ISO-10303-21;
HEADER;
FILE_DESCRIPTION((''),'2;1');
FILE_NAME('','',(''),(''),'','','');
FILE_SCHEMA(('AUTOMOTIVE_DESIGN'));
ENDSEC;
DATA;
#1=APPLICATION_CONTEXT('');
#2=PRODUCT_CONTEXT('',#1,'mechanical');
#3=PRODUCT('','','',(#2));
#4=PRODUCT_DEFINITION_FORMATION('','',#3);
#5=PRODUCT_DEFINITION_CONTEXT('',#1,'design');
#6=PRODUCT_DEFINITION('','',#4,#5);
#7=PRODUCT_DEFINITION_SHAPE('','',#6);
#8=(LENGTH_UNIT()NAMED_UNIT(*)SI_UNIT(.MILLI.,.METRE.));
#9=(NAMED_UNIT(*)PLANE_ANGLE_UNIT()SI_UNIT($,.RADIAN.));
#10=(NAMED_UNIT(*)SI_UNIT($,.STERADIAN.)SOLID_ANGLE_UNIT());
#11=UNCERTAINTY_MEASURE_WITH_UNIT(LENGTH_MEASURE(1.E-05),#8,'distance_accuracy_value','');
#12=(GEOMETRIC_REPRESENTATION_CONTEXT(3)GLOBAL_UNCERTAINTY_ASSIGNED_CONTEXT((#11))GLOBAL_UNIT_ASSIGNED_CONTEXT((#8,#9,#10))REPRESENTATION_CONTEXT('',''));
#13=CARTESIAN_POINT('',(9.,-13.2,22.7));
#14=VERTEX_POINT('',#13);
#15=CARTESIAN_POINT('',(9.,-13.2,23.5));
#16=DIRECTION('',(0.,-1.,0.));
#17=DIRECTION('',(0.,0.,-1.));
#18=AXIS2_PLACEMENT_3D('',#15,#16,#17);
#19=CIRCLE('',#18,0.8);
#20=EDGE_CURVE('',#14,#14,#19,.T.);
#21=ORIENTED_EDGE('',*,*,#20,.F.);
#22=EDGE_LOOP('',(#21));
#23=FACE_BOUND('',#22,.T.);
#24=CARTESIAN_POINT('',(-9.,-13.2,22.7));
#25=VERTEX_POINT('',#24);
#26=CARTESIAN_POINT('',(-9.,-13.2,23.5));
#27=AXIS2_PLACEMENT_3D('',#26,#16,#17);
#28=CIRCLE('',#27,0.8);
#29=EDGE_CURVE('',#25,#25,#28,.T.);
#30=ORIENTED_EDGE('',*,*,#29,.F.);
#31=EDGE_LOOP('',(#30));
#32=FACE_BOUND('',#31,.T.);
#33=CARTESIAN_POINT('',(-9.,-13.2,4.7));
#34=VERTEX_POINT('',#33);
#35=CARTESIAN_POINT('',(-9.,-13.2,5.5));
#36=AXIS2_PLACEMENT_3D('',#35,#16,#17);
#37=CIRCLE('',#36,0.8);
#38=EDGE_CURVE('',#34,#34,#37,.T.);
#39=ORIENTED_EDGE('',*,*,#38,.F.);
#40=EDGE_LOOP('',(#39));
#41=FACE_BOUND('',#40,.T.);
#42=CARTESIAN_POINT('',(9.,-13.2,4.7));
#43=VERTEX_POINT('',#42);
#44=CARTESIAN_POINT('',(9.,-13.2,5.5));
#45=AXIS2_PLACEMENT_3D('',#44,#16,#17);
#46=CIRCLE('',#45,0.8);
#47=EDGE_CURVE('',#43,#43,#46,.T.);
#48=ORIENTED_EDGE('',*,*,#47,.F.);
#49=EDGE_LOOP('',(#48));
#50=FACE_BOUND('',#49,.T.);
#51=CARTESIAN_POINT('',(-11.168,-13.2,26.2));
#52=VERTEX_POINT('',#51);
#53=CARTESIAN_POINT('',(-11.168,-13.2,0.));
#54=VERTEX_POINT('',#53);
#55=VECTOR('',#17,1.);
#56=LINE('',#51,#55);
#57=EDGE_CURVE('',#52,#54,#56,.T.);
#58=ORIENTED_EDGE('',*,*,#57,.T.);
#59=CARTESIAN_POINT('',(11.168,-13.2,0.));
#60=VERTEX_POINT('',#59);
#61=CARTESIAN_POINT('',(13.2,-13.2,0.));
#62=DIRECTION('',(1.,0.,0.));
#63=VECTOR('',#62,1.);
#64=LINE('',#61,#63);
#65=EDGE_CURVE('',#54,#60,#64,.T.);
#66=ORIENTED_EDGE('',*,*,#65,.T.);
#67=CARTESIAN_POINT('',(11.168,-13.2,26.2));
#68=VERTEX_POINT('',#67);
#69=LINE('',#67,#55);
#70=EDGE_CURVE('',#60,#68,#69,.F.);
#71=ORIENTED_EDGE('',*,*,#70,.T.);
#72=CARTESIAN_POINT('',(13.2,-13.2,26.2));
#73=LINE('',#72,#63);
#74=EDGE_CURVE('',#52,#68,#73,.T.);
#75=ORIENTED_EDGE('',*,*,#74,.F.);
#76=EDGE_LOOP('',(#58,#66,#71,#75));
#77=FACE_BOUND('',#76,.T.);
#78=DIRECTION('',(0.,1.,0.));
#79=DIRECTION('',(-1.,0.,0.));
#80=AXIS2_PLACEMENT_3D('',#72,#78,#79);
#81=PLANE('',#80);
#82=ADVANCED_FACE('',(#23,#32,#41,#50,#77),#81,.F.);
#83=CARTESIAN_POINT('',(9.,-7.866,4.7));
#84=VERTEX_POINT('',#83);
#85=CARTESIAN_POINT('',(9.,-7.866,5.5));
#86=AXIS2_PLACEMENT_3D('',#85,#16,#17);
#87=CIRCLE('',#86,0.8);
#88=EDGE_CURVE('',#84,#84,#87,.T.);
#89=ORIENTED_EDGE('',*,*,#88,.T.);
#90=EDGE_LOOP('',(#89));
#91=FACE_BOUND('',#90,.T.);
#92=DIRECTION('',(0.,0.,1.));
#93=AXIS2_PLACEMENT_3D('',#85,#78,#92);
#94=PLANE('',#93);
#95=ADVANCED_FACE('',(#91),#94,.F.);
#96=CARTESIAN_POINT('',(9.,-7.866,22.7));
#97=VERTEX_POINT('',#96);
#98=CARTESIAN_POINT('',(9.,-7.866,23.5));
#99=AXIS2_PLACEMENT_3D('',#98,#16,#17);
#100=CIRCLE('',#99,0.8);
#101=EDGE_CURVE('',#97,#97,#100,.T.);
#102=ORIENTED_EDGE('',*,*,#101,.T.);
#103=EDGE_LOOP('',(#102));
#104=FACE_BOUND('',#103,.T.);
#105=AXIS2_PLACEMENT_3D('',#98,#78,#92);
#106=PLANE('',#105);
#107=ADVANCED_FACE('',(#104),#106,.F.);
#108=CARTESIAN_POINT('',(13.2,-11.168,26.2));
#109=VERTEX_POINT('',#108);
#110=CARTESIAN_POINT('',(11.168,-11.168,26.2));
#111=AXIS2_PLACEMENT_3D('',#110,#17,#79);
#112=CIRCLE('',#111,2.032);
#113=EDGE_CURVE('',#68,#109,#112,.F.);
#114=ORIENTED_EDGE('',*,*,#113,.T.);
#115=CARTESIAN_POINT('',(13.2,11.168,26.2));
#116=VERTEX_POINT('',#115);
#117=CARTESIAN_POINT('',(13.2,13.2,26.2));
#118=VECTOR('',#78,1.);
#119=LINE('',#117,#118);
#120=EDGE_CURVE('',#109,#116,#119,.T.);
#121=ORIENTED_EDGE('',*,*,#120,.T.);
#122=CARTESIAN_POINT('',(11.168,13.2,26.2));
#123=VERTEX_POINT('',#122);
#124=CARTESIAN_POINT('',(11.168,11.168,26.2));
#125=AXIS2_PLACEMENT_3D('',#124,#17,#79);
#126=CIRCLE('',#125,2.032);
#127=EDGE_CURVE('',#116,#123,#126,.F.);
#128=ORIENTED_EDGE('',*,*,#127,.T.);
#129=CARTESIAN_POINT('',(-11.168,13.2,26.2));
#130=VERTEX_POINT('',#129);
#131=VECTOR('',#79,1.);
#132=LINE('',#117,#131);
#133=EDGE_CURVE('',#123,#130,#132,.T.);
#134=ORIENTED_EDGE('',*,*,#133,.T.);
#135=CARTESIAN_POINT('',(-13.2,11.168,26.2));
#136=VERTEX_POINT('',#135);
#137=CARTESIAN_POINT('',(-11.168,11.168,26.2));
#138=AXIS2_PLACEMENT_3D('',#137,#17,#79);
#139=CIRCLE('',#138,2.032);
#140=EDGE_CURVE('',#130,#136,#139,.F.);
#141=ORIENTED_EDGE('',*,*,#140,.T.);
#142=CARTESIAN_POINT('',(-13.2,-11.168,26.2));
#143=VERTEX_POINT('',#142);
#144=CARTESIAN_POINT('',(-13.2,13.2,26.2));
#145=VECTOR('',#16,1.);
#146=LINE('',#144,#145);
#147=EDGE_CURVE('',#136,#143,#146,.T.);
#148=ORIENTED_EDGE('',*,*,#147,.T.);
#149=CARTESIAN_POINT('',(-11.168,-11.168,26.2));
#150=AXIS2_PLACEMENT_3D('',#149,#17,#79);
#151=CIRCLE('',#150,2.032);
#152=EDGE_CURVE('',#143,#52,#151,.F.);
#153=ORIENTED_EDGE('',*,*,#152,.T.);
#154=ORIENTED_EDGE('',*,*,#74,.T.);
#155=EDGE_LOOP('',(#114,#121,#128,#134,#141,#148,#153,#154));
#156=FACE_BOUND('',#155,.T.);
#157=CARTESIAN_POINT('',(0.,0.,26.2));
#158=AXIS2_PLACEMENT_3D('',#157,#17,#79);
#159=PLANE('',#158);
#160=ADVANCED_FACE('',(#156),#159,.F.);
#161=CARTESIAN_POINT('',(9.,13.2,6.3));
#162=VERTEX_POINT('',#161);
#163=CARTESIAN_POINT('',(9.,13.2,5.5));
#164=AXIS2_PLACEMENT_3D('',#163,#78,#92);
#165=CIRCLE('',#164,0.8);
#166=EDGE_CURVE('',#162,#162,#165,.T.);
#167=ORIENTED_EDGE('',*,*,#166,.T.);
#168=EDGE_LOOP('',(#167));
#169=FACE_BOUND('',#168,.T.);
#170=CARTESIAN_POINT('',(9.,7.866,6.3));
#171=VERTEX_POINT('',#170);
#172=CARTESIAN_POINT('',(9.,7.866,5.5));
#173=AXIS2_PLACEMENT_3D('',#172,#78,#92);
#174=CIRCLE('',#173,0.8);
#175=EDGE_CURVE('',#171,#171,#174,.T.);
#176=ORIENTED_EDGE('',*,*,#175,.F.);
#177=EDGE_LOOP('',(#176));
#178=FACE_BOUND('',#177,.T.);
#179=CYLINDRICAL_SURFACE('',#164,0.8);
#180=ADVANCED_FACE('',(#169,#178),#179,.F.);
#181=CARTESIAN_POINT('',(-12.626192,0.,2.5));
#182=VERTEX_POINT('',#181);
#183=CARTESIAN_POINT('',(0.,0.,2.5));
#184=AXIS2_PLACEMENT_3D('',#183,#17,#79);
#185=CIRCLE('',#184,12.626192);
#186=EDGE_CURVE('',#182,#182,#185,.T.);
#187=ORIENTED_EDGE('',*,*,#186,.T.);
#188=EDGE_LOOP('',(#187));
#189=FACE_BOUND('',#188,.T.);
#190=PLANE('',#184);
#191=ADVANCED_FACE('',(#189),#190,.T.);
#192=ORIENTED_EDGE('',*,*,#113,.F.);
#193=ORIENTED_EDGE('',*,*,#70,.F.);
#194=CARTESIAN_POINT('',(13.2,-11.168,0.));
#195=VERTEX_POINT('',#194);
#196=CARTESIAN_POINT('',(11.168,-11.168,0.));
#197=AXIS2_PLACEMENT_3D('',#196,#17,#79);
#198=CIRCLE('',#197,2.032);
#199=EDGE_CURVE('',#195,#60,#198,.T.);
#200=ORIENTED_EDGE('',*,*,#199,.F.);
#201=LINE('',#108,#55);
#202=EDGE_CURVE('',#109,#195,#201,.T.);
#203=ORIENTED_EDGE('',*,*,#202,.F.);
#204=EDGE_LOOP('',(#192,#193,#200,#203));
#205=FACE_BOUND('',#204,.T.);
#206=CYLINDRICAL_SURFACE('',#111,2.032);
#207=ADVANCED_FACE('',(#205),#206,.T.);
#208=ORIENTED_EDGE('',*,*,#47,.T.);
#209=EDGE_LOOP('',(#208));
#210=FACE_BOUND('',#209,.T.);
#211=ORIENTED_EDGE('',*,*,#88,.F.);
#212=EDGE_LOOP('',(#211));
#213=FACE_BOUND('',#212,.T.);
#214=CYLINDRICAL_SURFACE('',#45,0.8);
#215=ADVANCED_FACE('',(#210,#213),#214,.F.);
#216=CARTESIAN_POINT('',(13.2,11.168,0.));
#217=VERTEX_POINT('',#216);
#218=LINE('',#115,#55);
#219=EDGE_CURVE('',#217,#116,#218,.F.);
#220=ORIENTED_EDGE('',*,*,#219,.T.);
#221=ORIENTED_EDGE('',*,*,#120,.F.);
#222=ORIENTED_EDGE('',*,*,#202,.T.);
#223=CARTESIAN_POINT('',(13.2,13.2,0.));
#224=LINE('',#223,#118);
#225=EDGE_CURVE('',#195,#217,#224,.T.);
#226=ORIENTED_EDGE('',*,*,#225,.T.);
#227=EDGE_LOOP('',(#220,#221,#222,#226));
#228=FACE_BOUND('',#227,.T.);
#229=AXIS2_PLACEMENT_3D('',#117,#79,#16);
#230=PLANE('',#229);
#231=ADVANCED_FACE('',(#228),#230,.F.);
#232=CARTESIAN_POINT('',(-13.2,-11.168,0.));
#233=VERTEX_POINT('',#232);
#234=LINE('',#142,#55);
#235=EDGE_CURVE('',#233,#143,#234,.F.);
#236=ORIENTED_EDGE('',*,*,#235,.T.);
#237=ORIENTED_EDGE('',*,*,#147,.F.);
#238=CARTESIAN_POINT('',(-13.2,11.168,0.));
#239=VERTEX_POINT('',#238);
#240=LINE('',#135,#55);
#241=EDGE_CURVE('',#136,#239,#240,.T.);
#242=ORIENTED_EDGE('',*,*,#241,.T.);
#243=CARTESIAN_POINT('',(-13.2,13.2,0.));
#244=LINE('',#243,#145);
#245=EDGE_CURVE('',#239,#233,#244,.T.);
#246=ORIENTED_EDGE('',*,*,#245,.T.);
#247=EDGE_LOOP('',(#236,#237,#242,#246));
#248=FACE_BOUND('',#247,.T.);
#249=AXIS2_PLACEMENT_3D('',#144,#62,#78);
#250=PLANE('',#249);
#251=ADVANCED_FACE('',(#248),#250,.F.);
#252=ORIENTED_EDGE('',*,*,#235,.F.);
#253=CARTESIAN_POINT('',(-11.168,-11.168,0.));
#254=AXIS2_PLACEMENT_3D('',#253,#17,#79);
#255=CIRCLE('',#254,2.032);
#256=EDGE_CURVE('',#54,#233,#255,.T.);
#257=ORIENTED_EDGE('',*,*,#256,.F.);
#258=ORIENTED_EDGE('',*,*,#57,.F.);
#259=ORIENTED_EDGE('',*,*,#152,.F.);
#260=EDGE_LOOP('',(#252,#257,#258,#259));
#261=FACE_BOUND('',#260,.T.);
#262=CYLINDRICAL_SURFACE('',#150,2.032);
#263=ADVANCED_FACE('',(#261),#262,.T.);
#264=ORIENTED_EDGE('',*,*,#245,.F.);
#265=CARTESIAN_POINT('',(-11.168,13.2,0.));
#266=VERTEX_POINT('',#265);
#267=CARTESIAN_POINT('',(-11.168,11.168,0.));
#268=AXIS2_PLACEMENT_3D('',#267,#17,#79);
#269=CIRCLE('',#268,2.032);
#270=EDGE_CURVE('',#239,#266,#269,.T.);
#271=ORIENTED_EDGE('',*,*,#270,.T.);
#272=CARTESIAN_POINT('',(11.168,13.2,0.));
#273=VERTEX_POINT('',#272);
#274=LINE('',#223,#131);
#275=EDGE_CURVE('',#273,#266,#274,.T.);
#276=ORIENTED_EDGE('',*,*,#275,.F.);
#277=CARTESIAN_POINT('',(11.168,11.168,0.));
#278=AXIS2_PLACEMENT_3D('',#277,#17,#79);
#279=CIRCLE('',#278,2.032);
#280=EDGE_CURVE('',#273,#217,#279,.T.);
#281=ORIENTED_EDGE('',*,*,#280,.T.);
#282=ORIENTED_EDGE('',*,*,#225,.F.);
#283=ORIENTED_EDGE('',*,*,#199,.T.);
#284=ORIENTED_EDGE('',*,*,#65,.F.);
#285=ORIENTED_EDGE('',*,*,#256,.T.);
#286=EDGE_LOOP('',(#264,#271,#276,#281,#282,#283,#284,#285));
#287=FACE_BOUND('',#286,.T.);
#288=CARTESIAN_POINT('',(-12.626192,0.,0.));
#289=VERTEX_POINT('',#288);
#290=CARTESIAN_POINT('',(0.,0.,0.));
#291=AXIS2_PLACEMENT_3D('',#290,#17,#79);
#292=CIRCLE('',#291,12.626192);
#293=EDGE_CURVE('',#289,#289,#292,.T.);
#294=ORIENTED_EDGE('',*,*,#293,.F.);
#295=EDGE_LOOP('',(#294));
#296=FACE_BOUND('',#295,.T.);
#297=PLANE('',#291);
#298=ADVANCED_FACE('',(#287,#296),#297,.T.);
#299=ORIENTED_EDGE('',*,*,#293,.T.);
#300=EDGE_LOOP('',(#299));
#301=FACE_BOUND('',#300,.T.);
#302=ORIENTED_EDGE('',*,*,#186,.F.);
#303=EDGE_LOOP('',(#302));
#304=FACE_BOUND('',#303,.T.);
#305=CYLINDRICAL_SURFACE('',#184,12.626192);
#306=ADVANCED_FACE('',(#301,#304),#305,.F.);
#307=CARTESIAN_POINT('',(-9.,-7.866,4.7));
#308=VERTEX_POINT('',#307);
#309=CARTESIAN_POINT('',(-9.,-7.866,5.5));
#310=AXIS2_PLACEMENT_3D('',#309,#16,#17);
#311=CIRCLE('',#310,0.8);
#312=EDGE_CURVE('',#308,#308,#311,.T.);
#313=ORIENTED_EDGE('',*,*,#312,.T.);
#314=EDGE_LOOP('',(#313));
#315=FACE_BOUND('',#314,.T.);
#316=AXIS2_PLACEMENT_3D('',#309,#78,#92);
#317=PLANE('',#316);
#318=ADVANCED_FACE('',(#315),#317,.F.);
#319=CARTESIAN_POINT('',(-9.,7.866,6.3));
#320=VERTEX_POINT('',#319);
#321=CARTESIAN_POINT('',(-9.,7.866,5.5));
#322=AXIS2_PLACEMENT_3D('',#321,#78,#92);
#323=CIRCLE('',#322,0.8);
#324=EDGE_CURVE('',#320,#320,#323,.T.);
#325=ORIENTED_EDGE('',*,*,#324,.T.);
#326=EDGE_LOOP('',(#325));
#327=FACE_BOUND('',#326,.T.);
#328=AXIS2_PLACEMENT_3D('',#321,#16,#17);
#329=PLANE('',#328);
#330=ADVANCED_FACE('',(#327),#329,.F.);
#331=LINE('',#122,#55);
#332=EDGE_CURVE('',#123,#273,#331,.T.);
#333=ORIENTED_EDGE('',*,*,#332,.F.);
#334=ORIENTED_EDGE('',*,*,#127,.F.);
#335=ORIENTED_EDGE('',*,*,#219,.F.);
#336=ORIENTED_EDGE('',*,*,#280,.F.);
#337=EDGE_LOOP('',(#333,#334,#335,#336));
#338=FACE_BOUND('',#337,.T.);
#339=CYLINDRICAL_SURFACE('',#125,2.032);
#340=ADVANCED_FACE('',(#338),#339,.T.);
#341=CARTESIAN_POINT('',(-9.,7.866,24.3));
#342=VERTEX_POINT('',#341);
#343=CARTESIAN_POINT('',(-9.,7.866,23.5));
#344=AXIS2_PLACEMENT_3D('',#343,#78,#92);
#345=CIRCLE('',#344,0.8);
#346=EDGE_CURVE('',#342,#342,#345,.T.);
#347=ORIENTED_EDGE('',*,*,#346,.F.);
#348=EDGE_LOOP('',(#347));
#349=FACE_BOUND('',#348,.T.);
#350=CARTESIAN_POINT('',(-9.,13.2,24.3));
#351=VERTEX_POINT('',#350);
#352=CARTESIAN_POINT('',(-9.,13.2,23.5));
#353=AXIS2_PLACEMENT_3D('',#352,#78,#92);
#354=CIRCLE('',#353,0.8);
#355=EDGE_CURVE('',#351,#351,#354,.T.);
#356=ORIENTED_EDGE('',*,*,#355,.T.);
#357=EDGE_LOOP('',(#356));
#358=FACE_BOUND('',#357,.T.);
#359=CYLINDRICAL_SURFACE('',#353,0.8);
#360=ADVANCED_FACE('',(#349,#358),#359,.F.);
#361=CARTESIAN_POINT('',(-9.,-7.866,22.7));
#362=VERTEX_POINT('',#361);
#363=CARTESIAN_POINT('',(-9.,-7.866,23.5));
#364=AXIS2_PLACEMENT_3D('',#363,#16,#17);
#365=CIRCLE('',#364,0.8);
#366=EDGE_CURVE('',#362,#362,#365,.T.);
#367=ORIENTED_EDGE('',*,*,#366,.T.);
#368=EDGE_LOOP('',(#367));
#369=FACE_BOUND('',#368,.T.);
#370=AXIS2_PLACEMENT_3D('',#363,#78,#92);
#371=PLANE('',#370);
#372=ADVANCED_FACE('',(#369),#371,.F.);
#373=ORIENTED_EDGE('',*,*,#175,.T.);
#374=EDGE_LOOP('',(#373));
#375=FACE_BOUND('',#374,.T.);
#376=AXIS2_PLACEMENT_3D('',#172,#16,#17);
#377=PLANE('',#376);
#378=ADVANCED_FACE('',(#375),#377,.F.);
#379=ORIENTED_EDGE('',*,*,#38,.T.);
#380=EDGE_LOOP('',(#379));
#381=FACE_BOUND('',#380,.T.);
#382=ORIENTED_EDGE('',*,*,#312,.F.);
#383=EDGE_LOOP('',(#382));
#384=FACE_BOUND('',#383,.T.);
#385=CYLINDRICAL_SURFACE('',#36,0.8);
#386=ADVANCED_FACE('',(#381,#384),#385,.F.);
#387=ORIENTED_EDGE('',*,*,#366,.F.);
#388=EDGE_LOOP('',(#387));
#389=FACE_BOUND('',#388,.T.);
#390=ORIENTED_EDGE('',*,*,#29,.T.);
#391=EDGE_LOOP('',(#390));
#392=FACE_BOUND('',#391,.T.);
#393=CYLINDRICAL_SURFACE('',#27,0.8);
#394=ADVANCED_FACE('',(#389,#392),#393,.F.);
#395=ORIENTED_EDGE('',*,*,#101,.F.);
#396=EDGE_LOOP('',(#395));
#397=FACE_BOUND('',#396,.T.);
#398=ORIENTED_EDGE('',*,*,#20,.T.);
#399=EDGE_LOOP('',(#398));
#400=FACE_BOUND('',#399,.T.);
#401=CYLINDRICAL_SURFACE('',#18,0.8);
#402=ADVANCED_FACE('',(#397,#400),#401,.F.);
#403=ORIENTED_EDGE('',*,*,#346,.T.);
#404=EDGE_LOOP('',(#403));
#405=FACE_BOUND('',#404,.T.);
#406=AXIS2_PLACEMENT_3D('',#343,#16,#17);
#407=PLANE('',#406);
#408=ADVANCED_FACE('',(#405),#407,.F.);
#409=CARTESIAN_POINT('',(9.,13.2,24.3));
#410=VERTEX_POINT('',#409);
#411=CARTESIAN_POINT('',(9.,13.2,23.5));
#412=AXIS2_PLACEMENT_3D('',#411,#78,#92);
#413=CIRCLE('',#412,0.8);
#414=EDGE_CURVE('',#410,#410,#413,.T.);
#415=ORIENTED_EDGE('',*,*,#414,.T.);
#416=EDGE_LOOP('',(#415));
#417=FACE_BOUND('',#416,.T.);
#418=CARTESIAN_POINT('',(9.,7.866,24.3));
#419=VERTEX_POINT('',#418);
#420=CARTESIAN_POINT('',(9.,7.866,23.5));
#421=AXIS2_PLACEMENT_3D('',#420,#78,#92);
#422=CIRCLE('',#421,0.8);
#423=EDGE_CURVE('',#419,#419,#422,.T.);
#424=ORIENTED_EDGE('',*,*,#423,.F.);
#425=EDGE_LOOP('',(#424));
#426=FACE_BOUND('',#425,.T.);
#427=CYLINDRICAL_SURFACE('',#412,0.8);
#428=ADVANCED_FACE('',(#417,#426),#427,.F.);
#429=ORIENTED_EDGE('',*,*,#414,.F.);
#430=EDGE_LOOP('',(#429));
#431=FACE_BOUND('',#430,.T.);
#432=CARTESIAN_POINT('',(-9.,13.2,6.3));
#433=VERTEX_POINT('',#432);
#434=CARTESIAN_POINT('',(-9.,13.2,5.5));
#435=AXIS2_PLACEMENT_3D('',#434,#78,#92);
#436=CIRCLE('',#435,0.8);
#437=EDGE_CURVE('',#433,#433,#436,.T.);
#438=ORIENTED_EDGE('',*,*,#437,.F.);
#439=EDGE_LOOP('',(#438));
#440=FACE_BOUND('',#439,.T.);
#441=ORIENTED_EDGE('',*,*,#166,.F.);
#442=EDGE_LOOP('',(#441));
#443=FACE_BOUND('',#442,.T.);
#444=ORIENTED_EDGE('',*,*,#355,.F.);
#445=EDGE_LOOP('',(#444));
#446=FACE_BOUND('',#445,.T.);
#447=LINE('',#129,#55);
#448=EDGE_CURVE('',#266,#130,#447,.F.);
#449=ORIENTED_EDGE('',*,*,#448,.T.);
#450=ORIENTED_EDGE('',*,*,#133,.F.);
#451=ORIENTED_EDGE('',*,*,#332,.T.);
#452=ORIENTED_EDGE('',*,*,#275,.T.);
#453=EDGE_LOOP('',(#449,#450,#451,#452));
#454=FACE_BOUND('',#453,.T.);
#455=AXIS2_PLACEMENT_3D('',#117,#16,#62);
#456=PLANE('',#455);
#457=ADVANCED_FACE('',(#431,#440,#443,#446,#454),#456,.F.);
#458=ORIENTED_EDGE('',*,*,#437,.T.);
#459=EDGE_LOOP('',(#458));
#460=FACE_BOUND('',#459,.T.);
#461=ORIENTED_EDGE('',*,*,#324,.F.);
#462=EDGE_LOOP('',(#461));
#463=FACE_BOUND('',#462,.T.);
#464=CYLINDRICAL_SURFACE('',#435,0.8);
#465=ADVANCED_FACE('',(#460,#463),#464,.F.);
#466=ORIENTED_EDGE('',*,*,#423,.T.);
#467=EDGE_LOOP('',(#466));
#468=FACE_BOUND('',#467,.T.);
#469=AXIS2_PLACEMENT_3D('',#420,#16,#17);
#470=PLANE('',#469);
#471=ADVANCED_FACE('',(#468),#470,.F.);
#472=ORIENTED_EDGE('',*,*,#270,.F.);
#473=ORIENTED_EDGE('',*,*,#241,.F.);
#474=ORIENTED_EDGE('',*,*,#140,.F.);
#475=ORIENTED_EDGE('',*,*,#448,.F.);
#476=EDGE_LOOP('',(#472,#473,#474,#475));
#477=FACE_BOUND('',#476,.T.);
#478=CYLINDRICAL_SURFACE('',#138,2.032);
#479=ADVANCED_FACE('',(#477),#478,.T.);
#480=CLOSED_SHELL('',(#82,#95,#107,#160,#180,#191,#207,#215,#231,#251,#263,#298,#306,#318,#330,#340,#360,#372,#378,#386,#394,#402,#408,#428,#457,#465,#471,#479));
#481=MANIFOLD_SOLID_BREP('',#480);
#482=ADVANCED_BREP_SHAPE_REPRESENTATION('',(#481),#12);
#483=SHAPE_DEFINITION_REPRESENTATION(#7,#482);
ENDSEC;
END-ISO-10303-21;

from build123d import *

# Parameters (mm, degrees)
SKETCH1_W                 = 26.4
SKETCH1_H                 = 26.4
BOSS_EXTRUDE1_DEPTH       = 26.2
FILLET1_R                 = 2.032
SKETCH5_R                 = 12.626192159
CUT_EXTRUDE3_DEPTH        = 2.5
M2X0_4_TAPPED_HOLE1_D     = 1.6
M2X0_4_TAPPED_HOLE1_DEPTH = 5.334
M2X0_4_TAPPED_HOLE2_D     = 1.6
M2X0_4_TAPPED_HOLE2_DEPTH = 5.334


with BuildPart() as part:
    # Sketch1 → Boss-Extrude1 (new body)
    with BuildSketch(Plane.XY):
        Rectangle(SKETCH1_W, SKETCH1_H)
    extrude(amount=BOSS_EXTRUDE1_DEPTH)

    # Fillet1
    fillet1_edges = [part.edges().sort_by_distance(p)[0] for p in [
        (-13.2, 13.2, 13.1),
        (13.2, 13.2, 13.1),
        (13.2, -13.2, 13.1),
        (-13.2, -13.2, 13.1),
    ]]
    fillet(fillet1_edges, radius=FILLET1_R)

    # Sketch5 → Cut-Extrude3 (cut)
    with BuildSketch(Plane(origin=(0, 0, 0), x_dir=(-1, 0, 0), z_dir=(0, 0, -1))):
        Circle(SKETCH5_R)
    extrude(amount=-CUT_EXTRUDE3_DEPTH, mode=Mode.SUBTRACT)

    # M2x0.4 Tapped Hole1
    with Locations(Plane(origin=(0, -13.2, 0), x_dir=(-1, 0, 0), z_dir=(0, -1, 0))):
        with Locations((9, -23.5), (9, -5.5), (-9, -5.5), (-9, -23.5)):
            Hole(M2X0_4_TAPPED_HOLE1_D / 2, depth=M2X0_4_TAPPED_HOLE1_DEPTH)

    # M2x0.4 Tapped Hole2
    with Locations(Plane(origin=(0, 13.2, 0), x_dir=(1, 0, 0), z_dir=(0, 1, 0))):
        with Locations((9, -5.5), (9, -23.5), (-9, -23.5), (-9, -5.5)):
            Hole(M2X0_4_TAPPED_HOLE2_D / 2, depth=M2X0_4_TAPPED_HOLE2_DEPTH)


solid = part.part
